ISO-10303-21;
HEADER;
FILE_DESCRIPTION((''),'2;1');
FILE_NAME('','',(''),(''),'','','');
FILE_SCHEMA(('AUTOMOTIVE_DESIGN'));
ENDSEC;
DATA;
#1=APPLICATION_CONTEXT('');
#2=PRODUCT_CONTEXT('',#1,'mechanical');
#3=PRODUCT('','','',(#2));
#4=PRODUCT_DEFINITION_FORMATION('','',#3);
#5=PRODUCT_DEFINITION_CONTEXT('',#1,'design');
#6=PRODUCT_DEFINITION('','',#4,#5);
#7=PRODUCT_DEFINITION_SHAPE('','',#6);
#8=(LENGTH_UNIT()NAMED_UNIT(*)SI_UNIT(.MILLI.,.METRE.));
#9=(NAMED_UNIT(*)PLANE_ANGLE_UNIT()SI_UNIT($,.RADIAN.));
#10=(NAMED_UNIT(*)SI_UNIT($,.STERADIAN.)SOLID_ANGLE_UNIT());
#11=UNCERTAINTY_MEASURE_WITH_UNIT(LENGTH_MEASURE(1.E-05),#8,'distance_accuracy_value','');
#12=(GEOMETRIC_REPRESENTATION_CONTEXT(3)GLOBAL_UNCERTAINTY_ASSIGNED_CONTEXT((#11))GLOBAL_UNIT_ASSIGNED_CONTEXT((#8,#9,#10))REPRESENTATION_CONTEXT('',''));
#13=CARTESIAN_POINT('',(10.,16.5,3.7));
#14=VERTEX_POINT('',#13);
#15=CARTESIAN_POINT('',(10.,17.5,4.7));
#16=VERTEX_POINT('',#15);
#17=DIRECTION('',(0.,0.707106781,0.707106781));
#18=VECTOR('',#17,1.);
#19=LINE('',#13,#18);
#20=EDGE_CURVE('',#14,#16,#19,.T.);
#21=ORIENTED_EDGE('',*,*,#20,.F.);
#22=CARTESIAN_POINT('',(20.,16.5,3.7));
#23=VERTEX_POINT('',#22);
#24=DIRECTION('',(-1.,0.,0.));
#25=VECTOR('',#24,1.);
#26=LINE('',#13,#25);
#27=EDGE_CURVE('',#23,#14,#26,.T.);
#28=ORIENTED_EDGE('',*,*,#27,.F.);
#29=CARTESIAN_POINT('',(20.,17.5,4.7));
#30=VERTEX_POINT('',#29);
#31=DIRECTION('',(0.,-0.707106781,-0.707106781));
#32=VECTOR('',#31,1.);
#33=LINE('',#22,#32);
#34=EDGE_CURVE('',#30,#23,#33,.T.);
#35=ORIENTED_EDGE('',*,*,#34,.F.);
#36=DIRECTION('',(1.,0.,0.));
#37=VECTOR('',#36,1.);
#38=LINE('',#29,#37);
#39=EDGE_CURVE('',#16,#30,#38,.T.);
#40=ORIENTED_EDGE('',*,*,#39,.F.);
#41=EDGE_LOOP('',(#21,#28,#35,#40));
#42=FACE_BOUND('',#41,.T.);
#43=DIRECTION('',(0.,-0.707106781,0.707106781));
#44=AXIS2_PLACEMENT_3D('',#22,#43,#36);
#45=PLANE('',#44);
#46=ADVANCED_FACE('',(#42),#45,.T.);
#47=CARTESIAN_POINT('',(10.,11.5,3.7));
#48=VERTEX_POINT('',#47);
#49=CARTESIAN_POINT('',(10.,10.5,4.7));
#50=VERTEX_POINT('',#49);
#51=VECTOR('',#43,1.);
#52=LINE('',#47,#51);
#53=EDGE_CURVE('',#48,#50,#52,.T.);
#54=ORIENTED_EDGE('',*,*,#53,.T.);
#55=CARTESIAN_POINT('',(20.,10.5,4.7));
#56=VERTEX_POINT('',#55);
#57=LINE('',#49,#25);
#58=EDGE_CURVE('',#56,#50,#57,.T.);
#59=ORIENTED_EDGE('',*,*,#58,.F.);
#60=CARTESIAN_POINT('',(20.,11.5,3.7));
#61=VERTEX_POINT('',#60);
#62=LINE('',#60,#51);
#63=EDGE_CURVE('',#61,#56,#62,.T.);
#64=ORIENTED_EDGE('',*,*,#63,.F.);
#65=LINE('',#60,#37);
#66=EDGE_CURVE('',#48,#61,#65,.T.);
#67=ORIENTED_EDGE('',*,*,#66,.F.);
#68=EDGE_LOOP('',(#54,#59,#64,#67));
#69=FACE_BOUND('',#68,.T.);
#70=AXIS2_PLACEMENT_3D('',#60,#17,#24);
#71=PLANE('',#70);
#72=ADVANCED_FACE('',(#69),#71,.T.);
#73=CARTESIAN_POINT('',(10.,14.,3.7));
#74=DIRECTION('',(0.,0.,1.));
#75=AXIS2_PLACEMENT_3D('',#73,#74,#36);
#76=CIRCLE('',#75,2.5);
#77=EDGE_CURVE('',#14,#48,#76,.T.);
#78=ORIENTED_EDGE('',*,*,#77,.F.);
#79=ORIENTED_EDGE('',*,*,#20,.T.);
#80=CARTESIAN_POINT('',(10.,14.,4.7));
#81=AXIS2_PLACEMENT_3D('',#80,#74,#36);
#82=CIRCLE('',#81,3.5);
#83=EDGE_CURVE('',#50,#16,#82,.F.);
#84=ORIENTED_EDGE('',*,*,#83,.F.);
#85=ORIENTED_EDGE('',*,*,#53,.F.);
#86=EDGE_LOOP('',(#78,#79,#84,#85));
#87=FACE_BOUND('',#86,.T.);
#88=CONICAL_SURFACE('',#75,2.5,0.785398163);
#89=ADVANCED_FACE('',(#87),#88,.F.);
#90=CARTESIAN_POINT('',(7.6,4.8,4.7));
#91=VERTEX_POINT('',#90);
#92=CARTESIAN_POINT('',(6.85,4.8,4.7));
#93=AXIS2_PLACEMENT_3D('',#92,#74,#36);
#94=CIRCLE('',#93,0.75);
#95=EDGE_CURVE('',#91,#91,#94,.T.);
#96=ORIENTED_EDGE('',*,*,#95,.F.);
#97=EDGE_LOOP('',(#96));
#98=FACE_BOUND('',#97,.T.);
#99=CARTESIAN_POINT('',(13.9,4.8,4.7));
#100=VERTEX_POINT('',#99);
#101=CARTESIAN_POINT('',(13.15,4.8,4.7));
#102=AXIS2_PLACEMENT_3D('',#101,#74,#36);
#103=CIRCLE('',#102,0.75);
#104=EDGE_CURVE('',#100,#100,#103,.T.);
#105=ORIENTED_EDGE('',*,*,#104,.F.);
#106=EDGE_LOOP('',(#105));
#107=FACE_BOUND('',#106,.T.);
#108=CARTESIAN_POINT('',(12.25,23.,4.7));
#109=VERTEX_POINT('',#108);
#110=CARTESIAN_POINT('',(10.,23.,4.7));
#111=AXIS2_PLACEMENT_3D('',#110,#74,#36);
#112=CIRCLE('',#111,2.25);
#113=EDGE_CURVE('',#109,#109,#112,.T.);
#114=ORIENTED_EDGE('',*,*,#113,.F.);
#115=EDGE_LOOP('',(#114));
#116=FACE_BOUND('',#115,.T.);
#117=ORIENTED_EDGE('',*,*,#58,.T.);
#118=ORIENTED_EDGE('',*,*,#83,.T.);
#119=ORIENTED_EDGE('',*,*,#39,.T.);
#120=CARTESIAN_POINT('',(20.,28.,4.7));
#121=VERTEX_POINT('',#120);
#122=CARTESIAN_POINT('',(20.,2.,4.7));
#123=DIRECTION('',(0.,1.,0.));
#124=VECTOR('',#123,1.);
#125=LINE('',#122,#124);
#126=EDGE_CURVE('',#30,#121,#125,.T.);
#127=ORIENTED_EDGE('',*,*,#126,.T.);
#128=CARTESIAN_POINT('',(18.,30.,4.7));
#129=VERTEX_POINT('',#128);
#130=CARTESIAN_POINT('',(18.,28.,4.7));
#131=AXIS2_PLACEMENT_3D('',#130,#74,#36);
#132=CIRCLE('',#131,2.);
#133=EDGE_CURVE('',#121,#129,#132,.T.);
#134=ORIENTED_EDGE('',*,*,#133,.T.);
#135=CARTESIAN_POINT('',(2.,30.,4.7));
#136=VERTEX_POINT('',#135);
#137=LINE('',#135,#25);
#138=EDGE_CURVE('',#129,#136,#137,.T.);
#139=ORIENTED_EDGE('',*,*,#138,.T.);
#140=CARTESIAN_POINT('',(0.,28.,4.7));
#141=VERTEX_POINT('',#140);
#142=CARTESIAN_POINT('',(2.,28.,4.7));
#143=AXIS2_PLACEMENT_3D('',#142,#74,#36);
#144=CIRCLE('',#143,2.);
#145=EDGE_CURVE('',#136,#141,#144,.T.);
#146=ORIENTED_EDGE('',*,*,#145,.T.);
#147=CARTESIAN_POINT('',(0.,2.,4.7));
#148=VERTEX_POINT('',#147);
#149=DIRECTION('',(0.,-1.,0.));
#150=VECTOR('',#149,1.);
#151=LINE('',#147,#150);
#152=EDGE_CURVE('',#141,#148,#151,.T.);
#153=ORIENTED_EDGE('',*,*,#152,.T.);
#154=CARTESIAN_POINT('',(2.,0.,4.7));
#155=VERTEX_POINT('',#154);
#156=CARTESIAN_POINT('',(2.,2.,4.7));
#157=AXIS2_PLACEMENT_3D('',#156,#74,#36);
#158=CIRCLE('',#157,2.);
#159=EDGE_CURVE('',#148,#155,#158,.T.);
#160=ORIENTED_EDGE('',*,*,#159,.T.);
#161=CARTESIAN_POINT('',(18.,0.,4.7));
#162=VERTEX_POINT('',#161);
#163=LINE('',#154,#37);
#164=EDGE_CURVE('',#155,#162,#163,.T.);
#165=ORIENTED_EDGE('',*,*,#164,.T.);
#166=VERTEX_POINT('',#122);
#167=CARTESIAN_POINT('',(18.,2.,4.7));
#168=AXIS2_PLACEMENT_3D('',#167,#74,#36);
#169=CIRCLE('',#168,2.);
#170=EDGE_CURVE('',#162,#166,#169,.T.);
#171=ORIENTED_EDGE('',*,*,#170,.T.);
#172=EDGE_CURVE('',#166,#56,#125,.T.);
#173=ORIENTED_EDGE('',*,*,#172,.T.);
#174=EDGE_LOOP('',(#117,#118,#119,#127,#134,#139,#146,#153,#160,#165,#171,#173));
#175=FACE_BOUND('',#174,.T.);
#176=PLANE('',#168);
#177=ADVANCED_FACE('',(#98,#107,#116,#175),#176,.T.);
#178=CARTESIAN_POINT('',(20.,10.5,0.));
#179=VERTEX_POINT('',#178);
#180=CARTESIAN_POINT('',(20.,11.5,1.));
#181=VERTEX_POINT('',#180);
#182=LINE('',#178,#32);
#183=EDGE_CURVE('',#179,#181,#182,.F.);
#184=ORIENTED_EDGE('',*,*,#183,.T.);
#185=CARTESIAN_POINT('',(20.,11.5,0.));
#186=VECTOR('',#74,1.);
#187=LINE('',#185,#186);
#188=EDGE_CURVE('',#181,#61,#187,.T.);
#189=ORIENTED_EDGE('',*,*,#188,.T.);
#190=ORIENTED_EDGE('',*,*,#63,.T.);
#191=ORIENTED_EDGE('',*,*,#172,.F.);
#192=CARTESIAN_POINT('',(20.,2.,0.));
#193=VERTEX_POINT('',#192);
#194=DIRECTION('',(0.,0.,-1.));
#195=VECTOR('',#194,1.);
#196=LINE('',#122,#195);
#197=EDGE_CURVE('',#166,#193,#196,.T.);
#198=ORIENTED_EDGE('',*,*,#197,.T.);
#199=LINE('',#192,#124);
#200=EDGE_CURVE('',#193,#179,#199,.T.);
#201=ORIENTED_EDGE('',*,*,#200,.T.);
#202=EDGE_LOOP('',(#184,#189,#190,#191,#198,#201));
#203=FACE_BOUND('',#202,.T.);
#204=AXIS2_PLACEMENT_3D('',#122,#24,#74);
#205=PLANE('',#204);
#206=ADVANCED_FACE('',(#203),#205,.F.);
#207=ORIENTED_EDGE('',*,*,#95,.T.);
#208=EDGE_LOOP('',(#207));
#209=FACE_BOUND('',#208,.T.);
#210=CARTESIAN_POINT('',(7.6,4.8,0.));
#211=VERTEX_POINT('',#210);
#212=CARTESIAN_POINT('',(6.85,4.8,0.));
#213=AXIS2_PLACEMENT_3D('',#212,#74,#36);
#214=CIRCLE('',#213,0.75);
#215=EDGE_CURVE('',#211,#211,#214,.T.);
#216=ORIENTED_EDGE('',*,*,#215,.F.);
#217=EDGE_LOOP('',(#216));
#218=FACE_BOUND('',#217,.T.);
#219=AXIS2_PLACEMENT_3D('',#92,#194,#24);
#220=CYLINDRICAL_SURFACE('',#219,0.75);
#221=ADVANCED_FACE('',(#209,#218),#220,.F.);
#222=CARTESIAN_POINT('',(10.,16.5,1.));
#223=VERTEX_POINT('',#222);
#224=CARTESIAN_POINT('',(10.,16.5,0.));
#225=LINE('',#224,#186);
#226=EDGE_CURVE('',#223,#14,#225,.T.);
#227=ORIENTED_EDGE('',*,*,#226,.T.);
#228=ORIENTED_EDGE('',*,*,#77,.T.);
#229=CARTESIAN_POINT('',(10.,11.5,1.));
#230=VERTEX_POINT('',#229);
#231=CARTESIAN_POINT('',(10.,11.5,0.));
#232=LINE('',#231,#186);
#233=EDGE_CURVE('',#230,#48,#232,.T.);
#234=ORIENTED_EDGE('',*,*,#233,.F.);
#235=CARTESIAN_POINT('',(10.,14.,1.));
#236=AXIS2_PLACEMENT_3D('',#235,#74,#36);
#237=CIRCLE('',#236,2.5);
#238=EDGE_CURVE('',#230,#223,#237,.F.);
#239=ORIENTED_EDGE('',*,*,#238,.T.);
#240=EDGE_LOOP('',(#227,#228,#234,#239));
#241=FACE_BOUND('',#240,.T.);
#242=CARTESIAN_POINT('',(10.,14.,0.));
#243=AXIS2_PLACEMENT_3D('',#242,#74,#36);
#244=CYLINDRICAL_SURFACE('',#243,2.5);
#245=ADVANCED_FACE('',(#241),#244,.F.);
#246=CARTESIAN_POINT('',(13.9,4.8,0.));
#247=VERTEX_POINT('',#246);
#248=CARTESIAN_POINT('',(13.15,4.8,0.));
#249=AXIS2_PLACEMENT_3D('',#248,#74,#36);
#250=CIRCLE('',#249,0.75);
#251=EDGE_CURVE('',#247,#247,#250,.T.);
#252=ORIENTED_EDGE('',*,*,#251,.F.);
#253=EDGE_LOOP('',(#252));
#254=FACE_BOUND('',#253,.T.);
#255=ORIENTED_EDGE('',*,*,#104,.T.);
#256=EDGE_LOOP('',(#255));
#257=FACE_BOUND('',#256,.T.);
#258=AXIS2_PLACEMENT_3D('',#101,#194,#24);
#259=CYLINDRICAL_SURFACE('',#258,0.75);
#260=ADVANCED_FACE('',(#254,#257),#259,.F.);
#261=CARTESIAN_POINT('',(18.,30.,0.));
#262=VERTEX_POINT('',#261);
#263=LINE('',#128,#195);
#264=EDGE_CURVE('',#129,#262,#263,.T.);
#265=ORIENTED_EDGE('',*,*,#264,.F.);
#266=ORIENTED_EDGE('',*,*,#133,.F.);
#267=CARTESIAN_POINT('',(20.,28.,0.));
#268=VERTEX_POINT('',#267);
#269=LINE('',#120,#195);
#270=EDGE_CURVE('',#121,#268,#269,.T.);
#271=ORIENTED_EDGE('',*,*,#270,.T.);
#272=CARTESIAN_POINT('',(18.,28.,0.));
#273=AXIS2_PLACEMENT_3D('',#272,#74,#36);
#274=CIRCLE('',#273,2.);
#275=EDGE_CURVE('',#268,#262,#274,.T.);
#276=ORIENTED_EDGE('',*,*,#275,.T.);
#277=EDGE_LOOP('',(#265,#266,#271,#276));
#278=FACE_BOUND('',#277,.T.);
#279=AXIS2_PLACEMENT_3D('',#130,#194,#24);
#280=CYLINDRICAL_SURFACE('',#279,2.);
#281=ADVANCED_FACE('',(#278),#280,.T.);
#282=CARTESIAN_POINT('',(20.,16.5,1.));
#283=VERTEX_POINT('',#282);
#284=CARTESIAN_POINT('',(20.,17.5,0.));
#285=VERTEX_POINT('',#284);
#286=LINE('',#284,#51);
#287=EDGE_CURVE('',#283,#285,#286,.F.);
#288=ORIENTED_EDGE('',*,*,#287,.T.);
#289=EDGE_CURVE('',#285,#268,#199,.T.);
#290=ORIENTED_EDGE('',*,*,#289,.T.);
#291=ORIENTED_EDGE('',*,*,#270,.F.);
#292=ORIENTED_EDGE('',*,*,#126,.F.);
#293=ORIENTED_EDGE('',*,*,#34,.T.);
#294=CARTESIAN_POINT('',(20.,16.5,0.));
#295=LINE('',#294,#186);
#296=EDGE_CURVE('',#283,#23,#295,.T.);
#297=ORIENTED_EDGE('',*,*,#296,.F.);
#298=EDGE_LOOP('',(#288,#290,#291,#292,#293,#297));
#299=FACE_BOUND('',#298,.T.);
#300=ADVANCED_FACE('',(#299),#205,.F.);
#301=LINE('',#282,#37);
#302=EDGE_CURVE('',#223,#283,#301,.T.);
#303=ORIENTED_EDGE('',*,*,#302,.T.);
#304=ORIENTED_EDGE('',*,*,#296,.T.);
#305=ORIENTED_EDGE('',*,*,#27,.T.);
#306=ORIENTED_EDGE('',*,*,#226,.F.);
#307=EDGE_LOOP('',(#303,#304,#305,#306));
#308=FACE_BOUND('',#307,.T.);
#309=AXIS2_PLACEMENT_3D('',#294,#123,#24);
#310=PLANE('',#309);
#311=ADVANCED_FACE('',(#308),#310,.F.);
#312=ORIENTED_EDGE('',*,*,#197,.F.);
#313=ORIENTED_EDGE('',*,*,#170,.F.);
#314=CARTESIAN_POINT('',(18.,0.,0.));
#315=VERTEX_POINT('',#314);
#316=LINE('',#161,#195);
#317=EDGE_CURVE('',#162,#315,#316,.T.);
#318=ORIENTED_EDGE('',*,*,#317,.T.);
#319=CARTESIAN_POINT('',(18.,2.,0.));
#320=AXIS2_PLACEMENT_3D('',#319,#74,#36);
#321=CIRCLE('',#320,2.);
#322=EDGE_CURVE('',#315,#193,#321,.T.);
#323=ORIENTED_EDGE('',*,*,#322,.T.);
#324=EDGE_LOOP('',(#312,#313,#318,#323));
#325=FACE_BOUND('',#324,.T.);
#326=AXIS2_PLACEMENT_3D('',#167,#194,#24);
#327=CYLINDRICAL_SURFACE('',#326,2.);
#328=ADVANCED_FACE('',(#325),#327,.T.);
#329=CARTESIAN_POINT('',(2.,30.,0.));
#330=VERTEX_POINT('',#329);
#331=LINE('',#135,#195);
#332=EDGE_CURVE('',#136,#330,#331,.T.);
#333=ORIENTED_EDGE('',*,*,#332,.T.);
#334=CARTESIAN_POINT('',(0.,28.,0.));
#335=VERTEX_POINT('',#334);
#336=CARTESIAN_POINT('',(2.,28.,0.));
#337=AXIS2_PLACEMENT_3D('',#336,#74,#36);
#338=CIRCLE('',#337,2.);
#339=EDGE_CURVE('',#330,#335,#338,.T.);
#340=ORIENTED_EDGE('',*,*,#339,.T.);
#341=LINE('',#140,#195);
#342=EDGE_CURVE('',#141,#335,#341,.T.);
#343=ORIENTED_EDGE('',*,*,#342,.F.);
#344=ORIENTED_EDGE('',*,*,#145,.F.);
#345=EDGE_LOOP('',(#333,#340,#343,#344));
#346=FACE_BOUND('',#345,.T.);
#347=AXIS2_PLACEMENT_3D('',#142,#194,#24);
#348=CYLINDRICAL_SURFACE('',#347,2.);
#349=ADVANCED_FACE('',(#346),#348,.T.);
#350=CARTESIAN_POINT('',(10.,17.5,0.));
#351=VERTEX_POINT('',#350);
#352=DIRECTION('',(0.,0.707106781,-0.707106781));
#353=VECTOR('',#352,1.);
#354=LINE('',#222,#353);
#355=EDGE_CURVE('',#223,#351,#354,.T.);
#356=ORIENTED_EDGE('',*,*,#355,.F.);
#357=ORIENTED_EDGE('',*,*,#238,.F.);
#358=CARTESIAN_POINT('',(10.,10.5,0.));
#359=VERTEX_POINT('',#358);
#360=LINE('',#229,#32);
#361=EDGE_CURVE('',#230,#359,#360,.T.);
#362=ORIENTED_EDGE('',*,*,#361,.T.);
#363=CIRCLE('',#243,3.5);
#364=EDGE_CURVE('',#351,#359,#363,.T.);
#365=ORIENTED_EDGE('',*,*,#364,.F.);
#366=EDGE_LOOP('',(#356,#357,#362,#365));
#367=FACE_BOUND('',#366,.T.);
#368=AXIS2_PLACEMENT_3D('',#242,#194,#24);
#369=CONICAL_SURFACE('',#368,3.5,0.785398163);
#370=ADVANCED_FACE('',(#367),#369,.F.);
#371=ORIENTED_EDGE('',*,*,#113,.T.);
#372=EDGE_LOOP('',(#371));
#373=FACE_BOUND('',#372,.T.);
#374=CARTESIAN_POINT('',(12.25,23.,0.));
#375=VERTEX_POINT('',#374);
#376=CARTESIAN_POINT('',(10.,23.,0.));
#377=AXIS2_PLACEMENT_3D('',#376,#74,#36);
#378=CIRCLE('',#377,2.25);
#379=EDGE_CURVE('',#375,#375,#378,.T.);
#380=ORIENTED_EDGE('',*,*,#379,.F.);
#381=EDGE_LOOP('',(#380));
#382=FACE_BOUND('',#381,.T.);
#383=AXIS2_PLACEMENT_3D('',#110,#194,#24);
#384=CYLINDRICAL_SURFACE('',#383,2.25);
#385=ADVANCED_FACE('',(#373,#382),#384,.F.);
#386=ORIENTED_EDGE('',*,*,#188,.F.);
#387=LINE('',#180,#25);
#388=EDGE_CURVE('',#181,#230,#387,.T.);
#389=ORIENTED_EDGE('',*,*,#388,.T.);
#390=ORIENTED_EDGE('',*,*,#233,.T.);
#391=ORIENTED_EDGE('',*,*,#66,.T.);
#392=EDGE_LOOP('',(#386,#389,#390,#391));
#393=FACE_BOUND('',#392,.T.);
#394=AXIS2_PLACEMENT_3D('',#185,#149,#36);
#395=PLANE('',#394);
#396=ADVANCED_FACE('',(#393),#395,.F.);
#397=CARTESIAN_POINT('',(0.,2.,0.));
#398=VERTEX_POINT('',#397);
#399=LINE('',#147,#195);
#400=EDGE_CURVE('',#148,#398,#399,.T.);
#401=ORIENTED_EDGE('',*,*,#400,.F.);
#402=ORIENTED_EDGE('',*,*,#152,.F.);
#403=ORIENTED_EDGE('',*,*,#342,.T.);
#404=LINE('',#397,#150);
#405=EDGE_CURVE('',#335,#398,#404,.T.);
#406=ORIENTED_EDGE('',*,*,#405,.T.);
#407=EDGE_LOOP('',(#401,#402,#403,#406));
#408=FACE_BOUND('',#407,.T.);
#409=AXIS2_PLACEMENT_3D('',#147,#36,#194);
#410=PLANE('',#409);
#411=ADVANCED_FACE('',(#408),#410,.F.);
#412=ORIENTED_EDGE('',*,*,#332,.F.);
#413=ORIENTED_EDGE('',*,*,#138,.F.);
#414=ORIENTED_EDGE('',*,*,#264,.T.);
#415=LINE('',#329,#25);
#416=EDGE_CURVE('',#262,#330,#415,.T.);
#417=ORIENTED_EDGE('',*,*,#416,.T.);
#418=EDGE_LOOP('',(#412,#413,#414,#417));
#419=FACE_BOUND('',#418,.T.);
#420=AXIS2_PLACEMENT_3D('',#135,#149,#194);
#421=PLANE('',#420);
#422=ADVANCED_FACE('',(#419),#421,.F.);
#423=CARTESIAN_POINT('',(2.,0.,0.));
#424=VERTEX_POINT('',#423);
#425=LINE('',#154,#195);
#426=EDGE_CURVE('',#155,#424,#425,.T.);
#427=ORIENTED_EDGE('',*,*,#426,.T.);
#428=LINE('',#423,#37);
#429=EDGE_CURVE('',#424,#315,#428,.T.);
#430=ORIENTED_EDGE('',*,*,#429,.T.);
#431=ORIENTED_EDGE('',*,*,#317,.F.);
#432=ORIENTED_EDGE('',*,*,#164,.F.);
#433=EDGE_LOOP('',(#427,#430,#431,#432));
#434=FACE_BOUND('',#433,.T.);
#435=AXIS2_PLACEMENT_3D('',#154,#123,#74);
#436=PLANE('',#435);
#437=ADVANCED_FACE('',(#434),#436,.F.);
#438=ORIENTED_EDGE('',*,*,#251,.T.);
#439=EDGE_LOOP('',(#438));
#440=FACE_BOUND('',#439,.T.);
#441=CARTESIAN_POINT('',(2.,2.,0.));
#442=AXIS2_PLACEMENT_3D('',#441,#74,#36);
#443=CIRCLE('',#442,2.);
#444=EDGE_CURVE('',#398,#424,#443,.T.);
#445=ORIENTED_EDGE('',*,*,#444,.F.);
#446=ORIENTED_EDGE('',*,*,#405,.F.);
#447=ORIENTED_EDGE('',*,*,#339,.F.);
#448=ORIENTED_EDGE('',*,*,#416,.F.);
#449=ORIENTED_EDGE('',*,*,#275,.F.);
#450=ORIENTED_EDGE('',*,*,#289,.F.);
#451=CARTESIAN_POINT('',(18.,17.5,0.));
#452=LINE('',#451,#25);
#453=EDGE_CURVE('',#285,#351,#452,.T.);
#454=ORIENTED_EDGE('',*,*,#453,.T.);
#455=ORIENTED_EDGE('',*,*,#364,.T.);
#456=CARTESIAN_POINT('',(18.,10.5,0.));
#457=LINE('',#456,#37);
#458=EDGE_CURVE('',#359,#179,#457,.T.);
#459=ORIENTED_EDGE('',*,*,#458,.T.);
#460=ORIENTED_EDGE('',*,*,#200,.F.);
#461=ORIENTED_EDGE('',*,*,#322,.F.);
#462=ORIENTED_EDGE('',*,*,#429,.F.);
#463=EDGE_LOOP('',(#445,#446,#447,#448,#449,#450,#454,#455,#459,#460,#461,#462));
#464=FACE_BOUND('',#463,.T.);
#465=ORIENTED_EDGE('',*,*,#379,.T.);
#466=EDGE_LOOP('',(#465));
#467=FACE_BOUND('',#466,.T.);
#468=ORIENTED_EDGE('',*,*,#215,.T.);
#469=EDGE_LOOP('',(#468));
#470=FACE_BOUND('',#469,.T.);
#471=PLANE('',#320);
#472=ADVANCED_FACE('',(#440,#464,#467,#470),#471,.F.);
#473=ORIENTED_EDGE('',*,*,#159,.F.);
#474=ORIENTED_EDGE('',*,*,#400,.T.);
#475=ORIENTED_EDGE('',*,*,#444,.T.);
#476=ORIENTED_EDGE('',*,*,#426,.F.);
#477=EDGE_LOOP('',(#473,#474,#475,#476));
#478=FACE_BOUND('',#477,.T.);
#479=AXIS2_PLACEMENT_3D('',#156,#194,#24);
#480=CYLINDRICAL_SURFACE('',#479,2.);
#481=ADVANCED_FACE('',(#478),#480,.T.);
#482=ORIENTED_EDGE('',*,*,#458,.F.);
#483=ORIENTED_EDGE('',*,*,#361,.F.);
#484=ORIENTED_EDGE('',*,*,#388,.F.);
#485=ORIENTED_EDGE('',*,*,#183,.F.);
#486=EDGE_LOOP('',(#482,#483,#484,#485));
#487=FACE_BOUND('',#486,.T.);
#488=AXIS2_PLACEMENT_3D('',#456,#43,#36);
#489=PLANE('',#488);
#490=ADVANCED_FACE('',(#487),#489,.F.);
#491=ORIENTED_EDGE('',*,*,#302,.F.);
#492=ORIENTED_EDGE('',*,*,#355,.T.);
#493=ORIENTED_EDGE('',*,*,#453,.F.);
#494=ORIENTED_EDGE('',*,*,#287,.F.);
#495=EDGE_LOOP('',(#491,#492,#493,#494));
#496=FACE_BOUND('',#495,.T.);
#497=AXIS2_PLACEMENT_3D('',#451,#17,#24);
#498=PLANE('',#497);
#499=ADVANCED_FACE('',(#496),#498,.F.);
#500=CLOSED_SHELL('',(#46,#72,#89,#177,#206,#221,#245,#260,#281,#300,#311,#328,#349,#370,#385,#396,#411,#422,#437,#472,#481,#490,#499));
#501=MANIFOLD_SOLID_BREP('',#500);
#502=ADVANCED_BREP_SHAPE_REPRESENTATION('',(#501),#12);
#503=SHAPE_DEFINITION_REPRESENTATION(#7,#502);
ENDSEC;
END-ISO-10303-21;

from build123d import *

# Parameters (mm, degrees)
SKETCH1_R           = 2.25
SKETCH1_R_2         = 0.75
BOSS_EXTRUDE1_DEPTH = 4.7
CUT_EXTRUDE1_DEPTH  = 5.7
CHAMFER1_SIZE       = 1


with BuildPart() as part:
    # Sketch1 → Boss-Extrude1 (new body)
    with BuildSketch(Plane.XY):
        with BuildLine():
            Line((2, 0), (18, 0))
            ThreePointArc((18, 0), (19.414213562, 0.585786438), (20, 2))
            Line((20, 2), (20, 28))
            ThreePointArc((20, 28), (19.414213562, 29.414213562), (18, 30))
            Line((18, 30), (2, 30))
            ThreePointArc((2, 30), (0.585786438, 29.414213562), (0, 28))
            Line((0, 28), (0, 2))
            ThreePointArc((0, 2), (0.585786438, 0.585786438), (2, 0))
        make_face()
        with Locations((10, 23)):
            Circle(SKETCH1_R, mode=Mode.SUBTRACT)
        with Locations((6.85, 4.8)):
            Circle(SKETCH1_R_2, mode=Mode.SUBTRACT)
        with Locations((13.15, 4.8)):
            Circle(SKETCH1_R_2, mode=Mode.SUBTRACT)
    extrude(amount=BOSS_EXTRUDE1_DEPTH)

    # Sketch2 → Cut-Extrude1 (cut, through all)
    with BuildSketch(Plane.XY.offset(4.7)):
        with BuildLine():
            Line((20, 16.5), (10, 16.5))
            ThreePointArc((10, 16.5), (7.5, 14), (10, 11.5))
            Line((10, 11.5), (20, 11.5))
            Line((20, 11.5), (20, 16.5))
        make_face()
    extrude(amount=-CUT_EXTRUDE1_DEPTH, mode=Mode.SUBTRACT)

    # Chamfer1
    chamfer1_edges = [part.edges().sort_by_distance(p)[0] for p in [
        (15, 11.5, 0),
        (7.5, 14, 0),
        (15, 16.5, 0),
        (15, 16.5, 4.7),
        (7.5, 14, 4.7),
        (15, 11.5, 4.7),
    ]]
    chamfer(chamfer1_edges, length=CHAMFER1_SIZE)


solid = part.part
